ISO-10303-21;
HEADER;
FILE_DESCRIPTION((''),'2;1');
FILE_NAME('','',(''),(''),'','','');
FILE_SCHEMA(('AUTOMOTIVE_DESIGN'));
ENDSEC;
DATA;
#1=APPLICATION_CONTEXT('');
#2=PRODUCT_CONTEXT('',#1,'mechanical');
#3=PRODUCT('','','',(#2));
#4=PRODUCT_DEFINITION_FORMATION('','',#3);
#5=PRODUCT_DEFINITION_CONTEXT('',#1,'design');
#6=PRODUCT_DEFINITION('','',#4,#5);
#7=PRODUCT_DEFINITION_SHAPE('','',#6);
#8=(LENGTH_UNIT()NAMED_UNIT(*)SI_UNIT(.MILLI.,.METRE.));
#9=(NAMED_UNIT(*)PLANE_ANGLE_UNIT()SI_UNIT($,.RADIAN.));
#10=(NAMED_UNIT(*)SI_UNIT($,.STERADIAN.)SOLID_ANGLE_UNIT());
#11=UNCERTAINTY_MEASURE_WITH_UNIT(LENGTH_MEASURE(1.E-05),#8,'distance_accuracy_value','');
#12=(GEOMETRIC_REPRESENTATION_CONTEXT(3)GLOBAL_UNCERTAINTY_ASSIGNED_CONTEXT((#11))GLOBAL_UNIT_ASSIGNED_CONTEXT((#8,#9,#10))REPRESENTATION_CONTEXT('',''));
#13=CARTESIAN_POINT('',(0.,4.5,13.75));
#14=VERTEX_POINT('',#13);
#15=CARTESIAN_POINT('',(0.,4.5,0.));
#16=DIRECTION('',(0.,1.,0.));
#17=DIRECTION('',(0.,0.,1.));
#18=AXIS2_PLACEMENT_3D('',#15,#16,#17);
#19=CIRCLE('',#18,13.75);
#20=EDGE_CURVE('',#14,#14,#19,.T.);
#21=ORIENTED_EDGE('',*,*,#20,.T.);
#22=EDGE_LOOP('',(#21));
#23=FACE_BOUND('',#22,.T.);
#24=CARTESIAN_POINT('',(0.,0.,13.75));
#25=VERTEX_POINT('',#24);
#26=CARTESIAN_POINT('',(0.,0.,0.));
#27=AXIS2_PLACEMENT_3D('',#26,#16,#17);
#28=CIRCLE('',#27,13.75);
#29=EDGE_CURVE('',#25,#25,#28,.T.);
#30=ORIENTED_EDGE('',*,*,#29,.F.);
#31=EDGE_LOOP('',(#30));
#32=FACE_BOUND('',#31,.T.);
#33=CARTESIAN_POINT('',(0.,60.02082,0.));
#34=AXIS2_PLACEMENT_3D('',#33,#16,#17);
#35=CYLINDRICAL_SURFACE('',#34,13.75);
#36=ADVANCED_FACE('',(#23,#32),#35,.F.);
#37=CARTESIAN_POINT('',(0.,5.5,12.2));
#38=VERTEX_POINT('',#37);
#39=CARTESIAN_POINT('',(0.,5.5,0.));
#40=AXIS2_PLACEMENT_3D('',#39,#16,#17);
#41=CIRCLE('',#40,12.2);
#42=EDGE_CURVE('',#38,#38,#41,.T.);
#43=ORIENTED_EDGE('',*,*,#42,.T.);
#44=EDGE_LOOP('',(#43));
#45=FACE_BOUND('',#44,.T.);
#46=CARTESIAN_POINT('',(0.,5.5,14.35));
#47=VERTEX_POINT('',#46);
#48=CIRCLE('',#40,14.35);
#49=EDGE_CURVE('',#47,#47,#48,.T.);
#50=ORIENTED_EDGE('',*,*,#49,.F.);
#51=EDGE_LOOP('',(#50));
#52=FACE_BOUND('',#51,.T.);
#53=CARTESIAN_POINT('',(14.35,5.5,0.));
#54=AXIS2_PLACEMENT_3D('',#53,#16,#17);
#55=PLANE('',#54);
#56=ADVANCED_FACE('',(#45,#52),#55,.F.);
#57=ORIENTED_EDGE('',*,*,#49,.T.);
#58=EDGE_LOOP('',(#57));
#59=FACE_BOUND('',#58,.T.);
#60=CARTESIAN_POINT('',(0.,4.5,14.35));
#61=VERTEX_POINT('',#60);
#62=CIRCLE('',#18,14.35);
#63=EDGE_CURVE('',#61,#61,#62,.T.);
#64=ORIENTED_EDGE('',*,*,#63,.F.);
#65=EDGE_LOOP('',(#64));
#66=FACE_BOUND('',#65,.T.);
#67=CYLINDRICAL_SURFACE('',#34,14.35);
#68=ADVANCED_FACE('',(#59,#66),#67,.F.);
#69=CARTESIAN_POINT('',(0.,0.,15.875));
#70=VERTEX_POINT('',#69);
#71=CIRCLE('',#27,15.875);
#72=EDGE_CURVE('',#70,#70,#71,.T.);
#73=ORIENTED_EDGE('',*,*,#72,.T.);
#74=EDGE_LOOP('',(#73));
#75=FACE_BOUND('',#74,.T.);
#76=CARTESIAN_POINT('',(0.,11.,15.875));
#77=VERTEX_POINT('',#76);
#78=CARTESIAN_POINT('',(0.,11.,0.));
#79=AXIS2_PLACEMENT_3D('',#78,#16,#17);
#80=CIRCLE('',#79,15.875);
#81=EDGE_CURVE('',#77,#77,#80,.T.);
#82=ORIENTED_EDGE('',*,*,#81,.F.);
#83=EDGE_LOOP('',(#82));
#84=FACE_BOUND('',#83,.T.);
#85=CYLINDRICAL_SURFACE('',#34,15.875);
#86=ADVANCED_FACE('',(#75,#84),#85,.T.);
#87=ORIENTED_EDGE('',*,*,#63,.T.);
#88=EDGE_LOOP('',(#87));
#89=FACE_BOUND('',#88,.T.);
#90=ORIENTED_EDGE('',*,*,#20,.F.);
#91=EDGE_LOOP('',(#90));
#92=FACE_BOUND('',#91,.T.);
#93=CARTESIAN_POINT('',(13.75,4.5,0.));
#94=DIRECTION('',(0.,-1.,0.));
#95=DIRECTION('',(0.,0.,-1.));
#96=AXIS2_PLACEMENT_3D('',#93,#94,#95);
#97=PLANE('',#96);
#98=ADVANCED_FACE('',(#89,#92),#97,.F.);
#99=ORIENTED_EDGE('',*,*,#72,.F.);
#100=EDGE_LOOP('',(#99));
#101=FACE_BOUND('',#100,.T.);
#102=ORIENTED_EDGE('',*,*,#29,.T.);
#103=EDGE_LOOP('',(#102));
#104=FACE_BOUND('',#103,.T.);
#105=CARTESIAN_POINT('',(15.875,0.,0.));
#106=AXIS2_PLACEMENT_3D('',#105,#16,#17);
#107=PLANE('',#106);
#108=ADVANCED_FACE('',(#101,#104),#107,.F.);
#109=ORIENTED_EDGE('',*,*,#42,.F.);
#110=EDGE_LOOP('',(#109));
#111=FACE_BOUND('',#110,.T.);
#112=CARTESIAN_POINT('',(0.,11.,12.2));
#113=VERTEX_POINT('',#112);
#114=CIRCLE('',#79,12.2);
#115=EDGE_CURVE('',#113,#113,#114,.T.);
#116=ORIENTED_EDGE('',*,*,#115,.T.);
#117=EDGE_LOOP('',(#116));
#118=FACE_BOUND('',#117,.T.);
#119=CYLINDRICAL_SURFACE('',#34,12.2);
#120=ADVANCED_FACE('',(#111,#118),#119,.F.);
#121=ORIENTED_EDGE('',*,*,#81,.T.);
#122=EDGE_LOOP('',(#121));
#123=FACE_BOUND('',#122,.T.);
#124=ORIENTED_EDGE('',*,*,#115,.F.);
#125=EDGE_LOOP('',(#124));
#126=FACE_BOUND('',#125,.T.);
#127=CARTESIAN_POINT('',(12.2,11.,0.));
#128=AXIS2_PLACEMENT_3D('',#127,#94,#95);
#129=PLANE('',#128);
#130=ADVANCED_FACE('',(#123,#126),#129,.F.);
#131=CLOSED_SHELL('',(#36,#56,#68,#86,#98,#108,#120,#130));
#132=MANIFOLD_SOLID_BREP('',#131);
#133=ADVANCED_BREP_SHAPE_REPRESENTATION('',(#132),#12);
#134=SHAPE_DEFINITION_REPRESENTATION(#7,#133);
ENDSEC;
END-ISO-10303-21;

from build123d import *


with BuildPart() as part:
    # 草图1 → 旋转1 (revolve)
    with BuildSketch(Plane.XY, mode=Mode.PRIVATE) as revolve_1_sk:
        Polygon((13.75, 0), (13.75, 4.5), (14.35, 4.5), (14.35, 5.5), (12.2, 5.5), (12.2, 11), (15.875, 11), (15.875, 0), align=None)
    revolve(revolve_1_sk.sketch.rotate(Axis((0, 60.020820414, 0), (0, -1, 0)), 90), axis=Axis((0, 60.020820414, 0), (0, -1, 0)))  # turned: the seam where the file's is


solid = part.part
